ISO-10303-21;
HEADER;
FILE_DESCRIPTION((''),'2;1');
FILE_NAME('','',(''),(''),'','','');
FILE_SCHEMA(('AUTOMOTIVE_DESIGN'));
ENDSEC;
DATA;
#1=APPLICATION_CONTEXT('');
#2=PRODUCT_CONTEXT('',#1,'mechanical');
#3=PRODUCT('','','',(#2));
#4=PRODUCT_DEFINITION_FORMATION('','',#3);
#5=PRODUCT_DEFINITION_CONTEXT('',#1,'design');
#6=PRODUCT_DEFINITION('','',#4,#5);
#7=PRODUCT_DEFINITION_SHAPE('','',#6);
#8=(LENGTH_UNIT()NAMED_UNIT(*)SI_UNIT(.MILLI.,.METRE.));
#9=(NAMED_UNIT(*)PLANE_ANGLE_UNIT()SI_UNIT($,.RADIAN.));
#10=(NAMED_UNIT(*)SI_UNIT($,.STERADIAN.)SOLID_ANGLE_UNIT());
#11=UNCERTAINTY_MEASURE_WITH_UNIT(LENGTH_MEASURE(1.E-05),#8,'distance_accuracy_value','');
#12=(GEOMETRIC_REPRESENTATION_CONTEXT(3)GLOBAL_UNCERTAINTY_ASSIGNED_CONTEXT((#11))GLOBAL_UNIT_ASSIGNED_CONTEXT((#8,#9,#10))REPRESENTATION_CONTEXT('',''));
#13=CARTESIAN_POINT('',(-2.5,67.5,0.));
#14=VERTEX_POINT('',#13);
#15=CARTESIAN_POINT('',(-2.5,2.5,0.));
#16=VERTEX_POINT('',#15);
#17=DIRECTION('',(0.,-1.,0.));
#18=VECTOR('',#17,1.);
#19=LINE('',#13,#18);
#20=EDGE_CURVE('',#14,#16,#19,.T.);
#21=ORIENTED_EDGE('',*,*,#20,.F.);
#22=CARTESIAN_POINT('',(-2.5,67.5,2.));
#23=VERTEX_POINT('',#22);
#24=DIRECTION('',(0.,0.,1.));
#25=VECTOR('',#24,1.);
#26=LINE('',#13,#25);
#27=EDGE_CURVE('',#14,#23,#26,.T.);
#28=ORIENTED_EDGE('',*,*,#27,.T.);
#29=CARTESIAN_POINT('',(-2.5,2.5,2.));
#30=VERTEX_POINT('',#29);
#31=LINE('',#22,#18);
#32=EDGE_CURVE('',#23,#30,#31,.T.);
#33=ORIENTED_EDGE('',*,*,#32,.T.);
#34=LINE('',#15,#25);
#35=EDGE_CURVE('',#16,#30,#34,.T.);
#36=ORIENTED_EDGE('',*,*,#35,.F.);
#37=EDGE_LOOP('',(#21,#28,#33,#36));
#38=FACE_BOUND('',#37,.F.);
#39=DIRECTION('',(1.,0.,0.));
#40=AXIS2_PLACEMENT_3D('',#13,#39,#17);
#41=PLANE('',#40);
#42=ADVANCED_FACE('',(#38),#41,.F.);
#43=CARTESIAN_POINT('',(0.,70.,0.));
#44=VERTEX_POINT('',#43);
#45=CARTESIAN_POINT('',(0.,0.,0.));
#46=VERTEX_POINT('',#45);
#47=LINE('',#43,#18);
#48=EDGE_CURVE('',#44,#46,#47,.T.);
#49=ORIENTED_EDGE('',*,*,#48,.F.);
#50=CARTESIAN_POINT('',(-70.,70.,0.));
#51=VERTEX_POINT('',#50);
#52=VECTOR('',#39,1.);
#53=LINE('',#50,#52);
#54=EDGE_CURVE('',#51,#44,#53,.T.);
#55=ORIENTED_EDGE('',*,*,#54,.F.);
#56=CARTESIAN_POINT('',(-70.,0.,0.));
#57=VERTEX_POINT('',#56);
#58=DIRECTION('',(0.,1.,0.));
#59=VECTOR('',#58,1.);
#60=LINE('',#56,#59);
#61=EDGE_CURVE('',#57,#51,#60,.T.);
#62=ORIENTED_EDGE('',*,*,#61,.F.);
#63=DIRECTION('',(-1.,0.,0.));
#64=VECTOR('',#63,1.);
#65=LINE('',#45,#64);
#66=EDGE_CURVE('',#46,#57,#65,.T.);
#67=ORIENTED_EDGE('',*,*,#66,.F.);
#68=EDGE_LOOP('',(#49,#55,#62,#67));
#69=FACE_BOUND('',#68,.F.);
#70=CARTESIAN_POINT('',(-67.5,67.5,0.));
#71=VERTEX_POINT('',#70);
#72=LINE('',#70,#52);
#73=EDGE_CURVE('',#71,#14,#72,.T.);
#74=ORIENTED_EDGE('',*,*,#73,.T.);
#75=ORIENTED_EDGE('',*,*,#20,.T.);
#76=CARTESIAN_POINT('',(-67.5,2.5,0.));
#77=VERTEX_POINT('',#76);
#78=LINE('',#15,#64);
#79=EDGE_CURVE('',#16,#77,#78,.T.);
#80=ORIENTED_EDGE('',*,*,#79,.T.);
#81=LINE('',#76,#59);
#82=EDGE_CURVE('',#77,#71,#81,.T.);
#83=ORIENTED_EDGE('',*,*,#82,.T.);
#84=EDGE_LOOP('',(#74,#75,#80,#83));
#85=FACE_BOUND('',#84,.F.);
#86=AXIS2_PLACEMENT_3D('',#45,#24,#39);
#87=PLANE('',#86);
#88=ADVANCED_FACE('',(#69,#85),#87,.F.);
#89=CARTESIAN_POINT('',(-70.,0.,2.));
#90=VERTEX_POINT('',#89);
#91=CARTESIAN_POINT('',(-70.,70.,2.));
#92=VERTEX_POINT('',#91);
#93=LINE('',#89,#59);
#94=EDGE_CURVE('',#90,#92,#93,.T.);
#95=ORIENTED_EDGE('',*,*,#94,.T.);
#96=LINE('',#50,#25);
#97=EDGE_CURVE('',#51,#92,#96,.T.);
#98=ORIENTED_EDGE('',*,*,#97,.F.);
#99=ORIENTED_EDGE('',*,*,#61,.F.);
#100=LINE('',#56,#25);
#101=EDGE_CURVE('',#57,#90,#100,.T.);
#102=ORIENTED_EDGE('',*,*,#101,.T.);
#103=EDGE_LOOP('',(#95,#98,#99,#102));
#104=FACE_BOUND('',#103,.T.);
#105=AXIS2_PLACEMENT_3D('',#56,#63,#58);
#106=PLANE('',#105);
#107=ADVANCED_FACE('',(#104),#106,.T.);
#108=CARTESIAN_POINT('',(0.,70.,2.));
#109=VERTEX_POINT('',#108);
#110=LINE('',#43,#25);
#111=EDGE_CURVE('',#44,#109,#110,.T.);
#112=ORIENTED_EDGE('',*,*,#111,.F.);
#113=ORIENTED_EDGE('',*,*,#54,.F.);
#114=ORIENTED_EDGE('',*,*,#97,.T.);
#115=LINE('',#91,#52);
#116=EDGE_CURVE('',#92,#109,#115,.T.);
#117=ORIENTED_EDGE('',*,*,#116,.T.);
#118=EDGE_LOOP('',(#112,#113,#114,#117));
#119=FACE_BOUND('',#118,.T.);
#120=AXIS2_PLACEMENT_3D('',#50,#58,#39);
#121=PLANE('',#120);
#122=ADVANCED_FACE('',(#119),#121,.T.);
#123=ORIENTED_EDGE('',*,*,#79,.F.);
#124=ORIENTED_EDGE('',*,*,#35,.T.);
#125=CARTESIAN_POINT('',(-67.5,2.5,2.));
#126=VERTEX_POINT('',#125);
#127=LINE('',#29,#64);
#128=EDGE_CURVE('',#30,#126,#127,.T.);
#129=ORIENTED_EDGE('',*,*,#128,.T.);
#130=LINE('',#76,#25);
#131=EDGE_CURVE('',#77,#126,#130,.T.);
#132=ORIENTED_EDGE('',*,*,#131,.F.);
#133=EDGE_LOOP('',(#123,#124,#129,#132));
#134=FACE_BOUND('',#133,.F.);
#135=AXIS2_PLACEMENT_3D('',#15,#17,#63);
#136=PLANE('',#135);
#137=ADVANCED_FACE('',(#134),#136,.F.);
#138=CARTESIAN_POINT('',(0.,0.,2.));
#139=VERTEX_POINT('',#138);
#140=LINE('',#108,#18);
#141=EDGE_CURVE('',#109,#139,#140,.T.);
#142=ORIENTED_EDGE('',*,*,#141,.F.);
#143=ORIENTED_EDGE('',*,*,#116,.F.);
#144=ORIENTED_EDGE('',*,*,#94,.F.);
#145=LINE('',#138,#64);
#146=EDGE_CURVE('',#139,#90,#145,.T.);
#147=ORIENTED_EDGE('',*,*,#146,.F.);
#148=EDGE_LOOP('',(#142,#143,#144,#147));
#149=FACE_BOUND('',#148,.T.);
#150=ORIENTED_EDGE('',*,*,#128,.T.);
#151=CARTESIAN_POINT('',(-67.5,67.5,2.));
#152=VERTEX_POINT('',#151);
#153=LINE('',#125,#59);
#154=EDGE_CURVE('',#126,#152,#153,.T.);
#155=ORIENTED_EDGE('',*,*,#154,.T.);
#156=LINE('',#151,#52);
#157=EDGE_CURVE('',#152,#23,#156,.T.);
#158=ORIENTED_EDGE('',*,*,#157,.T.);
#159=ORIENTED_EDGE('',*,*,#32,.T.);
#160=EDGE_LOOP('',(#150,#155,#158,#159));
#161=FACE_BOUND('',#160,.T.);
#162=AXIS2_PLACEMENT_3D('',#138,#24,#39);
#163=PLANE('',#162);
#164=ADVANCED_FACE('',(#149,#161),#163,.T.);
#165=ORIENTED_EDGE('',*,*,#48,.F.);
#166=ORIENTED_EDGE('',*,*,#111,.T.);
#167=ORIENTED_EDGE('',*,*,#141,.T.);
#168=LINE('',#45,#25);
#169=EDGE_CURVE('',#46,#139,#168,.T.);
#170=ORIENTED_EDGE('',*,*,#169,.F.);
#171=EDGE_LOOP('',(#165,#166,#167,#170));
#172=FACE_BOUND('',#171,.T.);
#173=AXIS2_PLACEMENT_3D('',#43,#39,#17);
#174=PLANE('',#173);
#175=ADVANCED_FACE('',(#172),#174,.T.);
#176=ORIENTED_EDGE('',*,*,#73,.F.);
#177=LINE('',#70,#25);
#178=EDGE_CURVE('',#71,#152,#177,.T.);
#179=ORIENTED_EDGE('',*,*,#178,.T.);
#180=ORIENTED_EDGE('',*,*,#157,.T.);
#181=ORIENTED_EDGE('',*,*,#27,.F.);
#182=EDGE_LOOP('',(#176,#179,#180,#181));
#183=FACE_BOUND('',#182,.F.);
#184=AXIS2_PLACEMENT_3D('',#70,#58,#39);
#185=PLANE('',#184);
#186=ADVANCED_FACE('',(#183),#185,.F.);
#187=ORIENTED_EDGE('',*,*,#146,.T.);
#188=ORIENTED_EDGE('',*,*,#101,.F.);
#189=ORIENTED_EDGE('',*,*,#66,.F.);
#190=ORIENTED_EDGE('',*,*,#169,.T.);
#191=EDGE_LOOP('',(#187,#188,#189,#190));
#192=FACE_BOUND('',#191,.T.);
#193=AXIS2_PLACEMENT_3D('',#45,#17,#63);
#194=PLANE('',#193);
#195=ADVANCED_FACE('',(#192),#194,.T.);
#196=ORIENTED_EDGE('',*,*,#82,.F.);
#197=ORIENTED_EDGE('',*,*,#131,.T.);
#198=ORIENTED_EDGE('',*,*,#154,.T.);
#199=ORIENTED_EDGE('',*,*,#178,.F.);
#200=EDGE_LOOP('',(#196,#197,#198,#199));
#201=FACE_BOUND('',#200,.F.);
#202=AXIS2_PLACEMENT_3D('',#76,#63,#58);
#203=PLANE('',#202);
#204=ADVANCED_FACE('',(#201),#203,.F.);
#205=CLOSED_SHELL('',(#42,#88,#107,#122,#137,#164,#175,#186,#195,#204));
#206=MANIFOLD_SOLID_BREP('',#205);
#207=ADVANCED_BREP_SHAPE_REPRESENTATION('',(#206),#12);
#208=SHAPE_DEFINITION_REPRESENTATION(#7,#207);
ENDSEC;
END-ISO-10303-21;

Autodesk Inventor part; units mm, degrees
ref_plane "YZ Plane" through (0, 0, 0) normal (1, 0, 0) x (0, 1, 0)
ref_plane "XZ Plane" through (0, 0, 0) normal (0, 1, 0) x (-1, 0, 0)
ref_plane "XY Plane" through (0, 0, 0) normal (0, 0, 1) x (1, 0, 0)
sketch "Sketch1" plane through (0, 0, 0) normal (0, 0, 1) x (1, 0, 0)
  line L0 (0, 0) -> (-70, 0)
  line L1 (-70, 0) -> (-70, 70)
  line L2 (-70, 70) -> (0, 70)
  line L3 (0, 70) -> (0, 0)
  line L4 (-2.5, 2.5) -> (-67.5, 2.5)
  line L5 (-67.5, 2.5) -> (-67.5, 67.5)
  line L6 (-67.5, 67.5) -> (-2.5, 67.5)
  line L7 (-2.5, 67.5) -> (-2.5, 2.5)
  dimension "d0" = 70
  dimension "d1" = 70
  dimension "d6" = 65
  dimension "d7" = 65
extrude "Extrusion2" add sketch "Sketch1" along normal blind 2
properties part number "Shoulder_Cube_TestFit_V1"
